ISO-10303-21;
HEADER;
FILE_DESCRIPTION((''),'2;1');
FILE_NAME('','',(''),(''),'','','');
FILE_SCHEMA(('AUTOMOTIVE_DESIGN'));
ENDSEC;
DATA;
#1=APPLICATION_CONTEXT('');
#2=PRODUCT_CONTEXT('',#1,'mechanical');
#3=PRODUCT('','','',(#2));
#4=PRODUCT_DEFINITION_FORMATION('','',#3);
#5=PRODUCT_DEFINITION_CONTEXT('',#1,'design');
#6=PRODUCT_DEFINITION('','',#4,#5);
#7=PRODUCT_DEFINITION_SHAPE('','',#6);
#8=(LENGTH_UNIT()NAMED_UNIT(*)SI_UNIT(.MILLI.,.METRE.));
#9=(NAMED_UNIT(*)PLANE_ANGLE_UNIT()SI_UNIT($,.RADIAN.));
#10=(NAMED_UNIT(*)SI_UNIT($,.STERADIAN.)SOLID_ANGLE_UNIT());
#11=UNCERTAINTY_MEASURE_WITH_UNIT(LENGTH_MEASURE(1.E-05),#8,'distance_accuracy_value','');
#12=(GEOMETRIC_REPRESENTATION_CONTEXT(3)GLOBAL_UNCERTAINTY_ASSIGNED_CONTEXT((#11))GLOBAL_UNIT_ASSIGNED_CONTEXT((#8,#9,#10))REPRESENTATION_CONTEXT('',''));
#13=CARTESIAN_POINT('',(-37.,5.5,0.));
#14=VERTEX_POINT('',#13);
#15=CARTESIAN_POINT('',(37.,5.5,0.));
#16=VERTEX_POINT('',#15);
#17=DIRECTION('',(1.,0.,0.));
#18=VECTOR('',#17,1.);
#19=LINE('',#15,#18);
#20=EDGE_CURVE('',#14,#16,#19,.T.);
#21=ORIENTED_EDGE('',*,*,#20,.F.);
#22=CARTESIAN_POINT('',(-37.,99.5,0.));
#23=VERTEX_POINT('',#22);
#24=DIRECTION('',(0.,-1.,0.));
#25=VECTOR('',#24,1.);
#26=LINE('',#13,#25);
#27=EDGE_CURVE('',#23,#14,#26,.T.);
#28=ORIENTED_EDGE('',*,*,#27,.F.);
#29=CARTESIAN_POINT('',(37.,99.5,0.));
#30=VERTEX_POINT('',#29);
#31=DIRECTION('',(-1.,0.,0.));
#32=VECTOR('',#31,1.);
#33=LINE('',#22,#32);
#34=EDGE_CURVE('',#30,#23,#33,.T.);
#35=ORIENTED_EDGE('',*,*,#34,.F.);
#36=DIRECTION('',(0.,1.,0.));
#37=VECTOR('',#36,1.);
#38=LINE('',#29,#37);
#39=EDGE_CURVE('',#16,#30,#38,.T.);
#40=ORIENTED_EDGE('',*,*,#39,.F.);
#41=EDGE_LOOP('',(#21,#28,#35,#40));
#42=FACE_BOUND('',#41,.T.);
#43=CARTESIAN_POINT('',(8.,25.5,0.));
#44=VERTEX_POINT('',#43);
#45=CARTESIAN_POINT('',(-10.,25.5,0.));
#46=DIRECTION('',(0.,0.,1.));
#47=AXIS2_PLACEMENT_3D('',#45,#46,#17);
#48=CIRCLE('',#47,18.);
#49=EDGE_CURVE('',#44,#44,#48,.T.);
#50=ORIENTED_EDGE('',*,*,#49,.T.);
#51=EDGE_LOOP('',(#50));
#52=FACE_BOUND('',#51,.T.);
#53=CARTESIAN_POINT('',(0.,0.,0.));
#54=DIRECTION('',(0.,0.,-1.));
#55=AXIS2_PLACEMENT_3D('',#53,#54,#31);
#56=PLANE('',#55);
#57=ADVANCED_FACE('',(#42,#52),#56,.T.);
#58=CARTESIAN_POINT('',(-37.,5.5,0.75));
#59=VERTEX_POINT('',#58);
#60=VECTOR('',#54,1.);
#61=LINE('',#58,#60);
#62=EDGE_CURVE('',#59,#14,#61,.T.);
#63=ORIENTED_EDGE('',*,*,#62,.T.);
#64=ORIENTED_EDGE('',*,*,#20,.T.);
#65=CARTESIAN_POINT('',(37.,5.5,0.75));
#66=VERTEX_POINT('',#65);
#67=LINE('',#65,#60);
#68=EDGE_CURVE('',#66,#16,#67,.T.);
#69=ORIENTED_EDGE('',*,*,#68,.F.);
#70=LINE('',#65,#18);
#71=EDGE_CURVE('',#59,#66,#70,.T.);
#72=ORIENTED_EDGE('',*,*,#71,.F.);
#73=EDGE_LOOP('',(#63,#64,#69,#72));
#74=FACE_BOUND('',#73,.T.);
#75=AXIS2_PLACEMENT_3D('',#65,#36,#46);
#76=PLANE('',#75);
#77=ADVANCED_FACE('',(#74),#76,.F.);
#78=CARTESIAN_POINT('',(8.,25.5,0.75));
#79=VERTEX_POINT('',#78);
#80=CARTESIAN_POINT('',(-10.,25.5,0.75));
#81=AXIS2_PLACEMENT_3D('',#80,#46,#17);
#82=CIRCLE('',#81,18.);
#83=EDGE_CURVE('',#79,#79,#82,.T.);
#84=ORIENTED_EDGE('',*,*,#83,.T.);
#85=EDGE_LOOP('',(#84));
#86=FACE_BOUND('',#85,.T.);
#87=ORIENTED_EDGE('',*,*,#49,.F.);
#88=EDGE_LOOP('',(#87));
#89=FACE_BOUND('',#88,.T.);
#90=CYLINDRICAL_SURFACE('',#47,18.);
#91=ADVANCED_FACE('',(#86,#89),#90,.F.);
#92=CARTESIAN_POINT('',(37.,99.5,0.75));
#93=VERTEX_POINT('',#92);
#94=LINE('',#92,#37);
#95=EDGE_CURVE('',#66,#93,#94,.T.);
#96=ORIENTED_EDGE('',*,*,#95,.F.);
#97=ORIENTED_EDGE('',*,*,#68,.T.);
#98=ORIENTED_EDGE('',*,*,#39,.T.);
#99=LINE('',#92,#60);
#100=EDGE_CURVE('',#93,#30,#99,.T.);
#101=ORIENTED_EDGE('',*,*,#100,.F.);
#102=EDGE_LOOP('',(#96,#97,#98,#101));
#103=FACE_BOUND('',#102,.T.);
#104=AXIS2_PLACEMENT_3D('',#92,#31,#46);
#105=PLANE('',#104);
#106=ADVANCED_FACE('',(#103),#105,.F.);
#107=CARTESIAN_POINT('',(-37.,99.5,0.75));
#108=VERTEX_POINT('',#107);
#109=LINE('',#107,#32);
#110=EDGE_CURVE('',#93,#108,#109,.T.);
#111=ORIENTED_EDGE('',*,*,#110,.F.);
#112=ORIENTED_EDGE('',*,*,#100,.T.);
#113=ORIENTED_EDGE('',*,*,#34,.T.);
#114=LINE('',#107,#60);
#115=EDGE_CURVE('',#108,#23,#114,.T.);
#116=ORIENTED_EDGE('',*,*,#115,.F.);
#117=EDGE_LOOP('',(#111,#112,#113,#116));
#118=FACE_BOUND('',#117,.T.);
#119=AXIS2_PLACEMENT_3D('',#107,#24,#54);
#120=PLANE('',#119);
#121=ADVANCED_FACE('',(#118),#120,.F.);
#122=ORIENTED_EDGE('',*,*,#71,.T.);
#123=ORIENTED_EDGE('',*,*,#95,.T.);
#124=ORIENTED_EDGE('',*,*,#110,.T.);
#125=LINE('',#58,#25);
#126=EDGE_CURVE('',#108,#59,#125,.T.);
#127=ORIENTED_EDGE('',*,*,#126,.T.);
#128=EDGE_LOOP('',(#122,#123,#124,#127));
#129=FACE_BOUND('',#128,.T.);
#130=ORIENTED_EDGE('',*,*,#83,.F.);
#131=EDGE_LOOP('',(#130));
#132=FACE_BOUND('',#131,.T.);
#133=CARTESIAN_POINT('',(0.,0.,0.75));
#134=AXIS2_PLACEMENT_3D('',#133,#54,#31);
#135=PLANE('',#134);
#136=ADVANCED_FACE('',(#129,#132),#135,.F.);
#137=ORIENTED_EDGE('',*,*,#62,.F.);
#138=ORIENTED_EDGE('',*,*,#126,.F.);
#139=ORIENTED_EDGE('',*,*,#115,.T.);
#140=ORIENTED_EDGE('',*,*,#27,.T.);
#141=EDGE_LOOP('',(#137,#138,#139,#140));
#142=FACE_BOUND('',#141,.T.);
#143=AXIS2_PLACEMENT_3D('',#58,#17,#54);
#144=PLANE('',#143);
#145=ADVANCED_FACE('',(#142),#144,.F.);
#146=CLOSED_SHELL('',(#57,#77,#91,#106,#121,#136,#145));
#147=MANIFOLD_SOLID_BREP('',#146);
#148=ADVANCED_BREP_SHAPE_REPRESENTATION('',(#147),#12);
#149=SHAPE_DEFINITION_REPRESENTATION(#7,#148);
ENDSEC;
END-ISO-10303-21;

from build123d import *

# Parameters (mm, degrees)
SKETCH1_W           = 74
SKETCH1_H           = 94
BOSS_EXTRUDE1_DEPTH = 0.75
SKETCH3_R           = 18
CUT_EXTRUDE1_DEPTH  = 1.75


with BuildPart() as part:
    # Sketch1 → Boss-Extrude1 (new body)
    with BuildSketch(Plane.XY):
        with Locations((0, 52.5)):
            Rectangle(SKETCH1_W, SKETCH1_H)
    extrude(amount=BOSS_EXTRUDE1_DEPTH)

    # Sketch3 → Cut-Extrude1 (cut, through all)
    with BuildSketch(Plane.XY.offset(0.75)):
        with Locations((-10, 25.5)):
            Circle(SKETCH3_R)
    extrude(amount=-CUT_EXTRUDE1_DEPTH, mode=Mode.SUBTRACT)


solid = part.part
